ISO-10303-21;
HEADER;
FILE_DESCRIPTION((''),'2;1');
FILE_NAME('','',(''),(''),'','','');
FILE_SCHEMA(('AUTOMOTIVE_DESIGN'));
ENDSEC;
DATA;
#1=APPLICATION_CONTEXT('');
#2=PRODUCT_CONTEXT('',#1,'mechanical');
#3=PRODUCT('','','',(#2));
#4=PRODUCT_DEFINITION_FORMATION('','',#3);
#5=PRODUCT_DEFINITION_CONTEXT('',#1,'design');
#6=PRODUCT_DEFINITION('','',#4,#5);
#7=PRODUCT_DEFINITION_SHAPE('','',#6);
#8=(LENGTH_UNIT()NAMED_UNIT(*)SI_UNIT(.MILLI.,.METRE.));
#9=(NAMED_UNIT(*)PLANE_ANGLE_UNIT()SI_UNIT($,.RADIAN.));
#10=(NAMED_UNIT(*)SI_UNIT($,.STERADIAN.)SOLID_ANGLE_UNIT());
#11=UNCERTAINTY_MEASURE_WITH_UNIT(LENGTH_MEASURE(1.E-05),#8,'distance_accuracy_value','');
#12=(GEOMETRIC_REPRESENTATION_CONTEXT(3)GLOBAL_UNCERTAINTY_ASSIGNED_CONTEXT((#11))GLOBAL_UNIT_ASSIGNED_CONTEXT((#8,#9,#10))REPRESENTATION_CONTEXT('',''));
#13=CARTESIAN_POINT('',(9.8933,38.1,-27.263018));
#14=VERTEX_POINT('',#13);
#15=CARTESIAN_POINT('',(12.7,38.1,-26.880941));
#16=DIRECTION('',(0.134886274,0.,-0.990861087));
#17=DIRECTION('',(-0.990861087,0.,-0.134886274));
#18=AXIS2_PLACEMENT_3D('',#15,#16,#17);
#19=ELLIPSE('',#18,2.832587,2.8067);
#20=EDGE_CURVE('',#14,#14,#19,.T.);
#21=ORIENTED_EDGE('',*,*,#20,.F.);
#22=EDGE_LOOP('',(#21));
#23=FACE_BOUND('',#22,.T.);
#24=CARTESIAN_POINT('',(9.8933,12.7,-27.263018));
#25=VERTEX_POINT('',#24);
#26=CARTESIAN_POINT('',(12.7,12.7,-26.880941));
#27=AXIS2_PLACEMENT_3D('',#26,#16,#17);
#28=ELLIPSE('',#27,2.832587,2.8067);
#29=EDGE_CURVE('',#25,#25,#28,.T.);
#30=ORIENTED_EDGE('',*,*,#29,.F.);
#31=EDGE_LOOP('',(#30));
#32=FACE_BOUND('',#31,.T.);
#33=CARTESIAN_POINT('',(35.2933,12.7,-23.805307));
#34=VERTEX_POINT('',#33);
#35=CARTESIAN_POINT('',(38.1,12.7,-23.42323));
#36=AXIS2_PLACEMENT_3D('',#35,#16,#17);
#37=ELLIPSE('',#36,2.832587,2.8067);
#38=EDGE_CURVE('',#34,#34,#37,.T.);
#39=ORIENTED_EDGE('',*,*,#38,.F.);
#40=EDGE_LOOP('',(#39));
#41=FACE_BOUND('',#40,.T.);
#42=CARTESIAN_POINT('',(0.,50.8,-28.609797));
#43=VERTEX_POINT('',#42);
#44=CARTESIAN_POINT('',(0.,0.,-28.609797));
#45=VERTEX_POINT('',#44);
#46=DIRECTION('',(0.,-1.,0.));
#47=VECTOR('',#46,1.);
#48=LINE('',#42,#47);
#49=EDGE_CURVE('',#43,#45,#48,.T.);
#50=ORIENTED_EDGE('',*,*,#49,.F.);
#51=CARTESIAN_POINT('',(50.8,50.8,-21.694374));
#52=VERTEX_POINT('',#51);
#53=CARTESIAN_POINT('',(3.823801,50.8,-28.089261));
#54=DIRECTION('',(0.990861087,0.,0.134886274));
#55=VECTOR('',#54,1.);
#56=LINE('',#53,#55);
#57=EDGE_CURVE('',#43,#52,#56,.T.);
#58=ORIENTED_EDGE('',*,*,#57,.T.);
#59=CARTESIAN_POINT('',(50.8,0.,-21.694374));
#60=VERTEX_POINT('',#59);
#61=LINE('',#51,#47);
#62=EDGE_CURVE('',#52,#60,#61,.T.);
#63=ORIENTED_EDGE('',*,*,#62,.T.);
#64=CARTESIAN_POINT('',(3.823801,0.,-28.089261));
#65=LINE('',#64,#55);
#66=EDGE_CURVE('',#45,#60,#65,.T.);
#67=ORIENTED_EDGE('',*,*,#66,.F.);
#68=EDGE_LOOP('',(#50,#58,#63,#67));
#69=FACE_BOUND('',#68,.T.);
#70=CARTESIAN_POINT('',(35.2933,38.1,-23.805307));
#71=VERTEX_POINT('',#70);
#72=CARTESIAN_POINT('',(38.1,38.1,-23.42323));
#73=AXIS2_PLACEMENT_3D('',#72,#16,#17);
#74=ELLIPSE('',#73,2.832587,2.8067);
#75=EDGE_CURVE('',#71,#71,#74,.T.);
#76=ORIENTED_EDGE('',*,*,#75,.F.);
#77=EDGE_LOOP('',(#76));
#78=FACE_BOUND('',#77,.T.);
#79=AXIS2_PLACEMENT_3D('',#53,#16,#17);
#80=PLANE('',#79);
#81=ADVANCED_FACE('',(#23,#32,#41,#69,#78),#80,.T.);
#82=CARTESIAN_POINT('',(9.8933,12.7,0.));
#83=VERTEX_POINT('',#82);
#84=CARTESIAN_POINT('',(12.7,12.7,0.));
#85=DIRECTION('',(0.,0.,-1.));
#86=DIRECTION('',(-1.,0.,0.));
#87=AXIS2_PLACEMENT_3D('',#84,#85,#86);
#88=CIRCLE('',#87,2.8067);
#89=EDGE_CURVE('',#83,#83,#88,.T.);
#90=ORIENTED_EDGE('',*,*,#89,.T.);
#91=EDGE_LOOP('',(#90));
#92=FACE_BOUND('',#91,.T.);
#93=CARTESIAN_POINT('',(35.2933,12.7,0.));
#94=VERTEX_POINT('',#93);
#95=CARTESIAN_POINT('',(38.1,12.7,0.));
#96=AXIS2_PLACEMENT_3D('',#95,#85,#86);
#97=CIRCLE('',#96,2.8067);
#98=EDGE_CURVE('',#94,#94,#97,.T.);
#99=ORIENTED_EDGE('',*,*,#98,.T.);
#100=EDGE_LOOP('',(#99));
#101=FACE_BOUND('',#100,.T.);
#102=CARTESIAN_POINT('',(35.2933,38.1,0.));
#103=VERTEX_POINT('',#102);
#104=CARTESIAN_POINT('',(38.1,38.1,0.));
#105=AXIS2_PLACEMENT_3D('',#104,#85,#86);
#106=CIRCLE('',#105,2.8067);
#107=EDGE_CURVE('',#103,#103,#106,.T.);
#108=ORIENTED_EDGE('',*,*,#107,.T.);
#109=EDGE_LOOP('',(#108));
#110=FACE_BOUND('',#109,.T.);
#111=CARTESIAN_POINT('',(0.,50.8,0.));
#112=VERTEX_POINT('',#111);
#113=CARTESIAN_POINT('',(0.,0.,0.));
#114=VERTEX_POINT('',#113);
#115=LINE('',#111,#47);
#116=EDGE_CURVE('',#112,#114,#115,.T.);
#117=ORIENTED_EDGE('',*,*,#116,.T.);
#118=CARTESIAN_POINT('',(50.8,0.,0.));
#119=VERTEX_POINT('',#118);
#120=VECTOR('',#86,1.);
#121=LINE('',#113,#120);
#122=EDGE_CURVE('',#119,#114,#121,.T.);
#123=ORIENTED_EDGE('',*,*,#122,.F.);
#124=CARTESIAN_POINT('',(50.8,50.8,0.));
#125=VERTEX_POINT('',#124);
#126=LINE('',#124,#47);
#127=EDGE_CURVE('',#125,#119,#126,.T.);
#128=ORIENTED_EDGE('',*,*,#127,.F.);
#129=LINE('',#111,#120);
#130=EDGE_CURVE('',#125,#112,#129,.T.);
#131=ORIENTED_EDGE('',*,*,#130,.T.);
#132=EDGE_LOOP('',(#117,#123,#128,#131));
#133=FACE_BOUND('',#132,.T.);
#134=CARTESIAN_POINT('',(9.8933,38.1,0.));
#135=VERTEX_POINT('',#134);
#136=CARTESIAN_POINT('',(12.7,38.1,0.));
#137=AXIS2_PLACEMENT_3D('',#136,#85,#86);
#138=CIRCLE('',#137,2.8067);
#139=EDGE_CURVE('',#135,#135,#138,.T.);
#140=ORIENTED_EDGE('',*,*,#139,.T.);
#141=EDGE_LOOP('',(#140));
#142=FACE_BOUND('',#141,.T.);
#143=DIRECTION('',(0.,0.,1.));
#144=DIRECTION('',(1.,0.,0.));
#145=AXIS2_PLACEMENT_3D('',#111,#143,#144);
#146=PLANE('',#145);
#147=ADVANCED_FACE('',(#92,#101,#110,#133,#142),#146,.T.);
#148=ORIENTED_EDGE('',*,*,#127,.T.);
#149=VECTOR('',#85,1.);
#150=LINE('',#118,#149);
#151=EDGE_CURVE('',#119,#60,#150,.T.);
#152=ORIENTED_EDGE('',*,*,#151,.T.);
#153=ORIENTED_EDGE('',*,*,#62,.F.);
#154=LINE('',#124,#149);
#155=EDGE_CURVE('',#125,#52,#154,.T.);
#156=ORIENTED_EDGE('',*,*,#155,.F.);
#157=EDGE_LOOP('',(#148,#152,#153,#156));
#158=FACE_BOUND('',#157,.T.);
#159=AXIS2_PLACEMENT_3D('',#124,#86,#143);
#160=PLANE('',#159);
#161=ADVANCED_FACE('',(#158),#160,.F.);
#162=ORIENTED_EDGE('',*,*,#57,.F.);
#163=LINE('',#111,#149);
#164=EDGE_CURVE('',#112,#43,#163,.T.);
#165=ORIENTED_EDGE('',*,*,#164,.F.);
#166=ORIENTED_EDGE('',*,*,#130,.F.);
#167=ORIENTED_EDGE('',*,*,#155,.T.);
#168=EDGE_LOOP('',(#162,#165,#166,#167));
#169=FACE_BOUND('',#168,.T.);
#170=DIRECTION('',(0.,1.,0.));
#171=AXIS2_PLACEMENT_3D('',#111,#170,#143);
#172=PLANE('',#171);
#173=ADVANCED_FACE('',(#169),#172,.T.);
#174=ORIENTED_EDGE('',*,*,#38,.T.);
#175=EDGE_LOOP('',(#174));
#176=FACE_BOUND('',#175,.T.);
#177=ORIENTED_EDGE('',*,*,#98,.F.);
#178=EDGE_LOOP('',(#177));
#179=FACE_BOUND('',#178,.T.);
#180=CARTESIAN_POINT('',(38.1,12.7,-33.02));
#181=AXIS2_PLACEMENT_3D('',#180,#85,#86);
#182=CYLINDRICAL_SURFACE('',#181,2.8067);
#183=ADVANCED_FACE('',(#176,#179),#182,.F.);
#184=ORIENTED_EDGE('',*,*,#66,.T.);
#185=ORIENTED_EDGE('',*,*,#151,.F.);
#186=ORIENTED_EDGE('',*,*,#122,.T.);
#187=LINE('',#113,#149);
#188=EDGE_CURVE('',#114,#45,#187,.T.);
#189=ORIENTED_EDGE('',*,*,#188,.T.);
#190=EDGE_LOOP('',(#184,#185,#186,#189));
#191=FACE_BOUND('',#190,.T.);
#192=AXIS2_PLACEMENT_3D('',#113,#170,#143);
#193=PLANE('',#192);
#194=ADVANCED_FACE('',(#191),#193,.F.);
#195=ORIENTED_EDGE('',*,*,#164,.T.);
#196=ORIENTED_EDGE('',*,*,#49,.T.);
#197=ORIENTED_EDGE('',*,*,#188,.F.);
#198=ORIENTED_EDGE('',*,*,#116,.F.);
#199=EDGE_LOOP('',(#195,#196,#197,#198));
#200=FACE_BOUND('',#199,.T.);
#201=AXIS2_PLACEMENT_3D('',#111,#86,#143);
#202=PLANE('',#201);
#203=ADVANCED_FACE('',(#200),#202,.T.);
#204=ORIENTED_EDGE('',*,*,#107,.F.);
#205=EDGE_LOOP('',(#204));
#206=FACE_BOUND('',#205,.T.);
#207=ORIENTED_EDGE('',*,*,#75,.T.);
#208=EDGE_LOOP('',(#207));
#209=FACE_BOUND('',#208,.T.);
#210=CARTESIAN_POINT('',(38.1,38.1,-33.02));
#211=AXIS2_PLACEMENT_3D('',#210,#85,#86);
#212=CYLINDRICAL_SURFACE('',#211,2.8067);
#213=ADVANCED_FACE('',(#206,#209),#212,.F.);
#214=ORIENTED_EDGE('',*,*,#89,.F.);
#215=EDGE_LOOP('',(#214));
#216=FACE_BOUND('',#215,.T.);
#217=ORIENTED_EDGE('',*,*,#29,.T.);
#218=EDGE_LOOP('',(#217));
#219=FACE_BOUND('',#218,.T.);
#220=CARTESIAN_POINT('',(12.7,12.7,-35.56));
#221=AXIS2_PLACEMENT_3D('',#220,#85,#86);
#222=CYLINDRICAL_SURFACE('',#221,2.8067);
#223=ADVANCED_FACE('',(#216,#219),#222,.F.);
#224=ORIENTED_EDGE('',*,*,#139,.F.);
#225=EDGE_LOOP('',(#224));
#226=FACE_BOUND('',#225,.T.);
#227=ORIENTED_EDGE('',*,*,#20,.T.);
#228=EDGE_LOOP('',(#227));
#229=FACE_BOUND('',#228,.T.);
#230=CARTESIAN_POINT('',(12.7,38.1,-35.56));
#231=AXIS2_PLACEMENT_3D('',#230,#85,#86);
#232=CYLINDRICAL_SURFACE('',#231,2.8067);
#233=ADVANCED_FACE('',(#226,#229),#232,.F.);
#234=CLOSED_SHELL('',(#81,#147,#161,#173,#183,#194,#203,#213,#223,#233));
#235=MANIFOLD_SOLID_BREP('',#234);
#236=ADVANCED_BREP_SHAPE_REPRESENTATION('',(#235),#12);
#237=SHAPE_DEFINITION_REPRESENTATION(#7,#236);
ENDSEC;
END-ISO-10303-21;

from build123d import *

# Parameters (mm, degrees)
BOSS_EXTRUDE1_DEPTH                                = 50.8
CSK_FOR_10_FLAT_HEAD_MACHINE_SCREW_100_D           = 5.6134
CSK_FOR_10_FLAT_HEAD_MACHINE_SCREW_100_CSINK_D     = 17.78
CSK_FOR_10_FLAT_HEAD_MACHINE_SCREW_100_CSINK_ANGLE = 90
CSK_FOR_10_FLAT_HEAD_MACHINE_SCREW_2_D             = 5.6134
CSK_FOR_10_FLAT_HEAD_MACHINE_SCREW_2_CSINK_D       = 17.78
CSK_FOR_10_FLAT_HEAD_MACHINE_SCREW_2_CSINK_ANGLE   = 90


with BuildPart() as part:
    # Sketch1 → Boss-Extrude1 (new body)
    with BuildSketch(Plane(origin=(0, 0, 0), x_dir=(1, 0, 0), z_dir=(0, 1, 0))):
        Polygon((50.8, 0), (0, 0), (0, 28.609796644), (50.8, 21.69437447), align=None)
    extrude(amount=BOSS_EXTRUDE1_DEPTH)

    # CSK for _10 Flat Head Machine Screw _100 (through all)
    with Locations(Plane(origin=(320.741972913, -316.395089466, -35.56), x_dir=(1, 0, 0), z_dir=(0, 0, -1))):
        with Locations((-308.041854919, -227.495089466), (-308.041854919, -252.895089466), (-308.041972913, -329.095089466), (-308.041972913, -354.495089466)):
            CounterSinkHole(CSK_FOR_10_FLAT_HEAD_MACHINE_SCREW_100_D / 2, CSK_FOR_10_FLAT_HEAD_MACHINE_SCREW_100_CSINK_D / 2, counter_sink_angle=CSK_FOR_10_FLAT_HEAD_MACHINE_SCREW_100_CSINK_ANGLE)

    # CSK for _10 Flat Head Machine Screw  2 (through all)
    with Locations(Plane(origin=(320.741972913, -316.395089466, -33.02), x_dir=(1, 0, 0), z_dir=(0, 0, -1))):
        with Locations((-282.641854919, -227.495089466), (-282.641854919, -252.895089466), (-282.641972913, -329.095089466), (-282.641972913, -354.495089466)):
            CounterSinkHole(CSK_FOR_10_FLAT_HEAD_MACHINE_SCREW_2_D / 2, CSK_FOR_10_FLAT_HEAD_MACHINE_SCREW_2_CSINK_D / 2, counter_sink_angle=CSK_FOR_10_FLAT_HEAD_MACHINE_SCREW_2_CSINK_ANGLE)


solid = part.part
